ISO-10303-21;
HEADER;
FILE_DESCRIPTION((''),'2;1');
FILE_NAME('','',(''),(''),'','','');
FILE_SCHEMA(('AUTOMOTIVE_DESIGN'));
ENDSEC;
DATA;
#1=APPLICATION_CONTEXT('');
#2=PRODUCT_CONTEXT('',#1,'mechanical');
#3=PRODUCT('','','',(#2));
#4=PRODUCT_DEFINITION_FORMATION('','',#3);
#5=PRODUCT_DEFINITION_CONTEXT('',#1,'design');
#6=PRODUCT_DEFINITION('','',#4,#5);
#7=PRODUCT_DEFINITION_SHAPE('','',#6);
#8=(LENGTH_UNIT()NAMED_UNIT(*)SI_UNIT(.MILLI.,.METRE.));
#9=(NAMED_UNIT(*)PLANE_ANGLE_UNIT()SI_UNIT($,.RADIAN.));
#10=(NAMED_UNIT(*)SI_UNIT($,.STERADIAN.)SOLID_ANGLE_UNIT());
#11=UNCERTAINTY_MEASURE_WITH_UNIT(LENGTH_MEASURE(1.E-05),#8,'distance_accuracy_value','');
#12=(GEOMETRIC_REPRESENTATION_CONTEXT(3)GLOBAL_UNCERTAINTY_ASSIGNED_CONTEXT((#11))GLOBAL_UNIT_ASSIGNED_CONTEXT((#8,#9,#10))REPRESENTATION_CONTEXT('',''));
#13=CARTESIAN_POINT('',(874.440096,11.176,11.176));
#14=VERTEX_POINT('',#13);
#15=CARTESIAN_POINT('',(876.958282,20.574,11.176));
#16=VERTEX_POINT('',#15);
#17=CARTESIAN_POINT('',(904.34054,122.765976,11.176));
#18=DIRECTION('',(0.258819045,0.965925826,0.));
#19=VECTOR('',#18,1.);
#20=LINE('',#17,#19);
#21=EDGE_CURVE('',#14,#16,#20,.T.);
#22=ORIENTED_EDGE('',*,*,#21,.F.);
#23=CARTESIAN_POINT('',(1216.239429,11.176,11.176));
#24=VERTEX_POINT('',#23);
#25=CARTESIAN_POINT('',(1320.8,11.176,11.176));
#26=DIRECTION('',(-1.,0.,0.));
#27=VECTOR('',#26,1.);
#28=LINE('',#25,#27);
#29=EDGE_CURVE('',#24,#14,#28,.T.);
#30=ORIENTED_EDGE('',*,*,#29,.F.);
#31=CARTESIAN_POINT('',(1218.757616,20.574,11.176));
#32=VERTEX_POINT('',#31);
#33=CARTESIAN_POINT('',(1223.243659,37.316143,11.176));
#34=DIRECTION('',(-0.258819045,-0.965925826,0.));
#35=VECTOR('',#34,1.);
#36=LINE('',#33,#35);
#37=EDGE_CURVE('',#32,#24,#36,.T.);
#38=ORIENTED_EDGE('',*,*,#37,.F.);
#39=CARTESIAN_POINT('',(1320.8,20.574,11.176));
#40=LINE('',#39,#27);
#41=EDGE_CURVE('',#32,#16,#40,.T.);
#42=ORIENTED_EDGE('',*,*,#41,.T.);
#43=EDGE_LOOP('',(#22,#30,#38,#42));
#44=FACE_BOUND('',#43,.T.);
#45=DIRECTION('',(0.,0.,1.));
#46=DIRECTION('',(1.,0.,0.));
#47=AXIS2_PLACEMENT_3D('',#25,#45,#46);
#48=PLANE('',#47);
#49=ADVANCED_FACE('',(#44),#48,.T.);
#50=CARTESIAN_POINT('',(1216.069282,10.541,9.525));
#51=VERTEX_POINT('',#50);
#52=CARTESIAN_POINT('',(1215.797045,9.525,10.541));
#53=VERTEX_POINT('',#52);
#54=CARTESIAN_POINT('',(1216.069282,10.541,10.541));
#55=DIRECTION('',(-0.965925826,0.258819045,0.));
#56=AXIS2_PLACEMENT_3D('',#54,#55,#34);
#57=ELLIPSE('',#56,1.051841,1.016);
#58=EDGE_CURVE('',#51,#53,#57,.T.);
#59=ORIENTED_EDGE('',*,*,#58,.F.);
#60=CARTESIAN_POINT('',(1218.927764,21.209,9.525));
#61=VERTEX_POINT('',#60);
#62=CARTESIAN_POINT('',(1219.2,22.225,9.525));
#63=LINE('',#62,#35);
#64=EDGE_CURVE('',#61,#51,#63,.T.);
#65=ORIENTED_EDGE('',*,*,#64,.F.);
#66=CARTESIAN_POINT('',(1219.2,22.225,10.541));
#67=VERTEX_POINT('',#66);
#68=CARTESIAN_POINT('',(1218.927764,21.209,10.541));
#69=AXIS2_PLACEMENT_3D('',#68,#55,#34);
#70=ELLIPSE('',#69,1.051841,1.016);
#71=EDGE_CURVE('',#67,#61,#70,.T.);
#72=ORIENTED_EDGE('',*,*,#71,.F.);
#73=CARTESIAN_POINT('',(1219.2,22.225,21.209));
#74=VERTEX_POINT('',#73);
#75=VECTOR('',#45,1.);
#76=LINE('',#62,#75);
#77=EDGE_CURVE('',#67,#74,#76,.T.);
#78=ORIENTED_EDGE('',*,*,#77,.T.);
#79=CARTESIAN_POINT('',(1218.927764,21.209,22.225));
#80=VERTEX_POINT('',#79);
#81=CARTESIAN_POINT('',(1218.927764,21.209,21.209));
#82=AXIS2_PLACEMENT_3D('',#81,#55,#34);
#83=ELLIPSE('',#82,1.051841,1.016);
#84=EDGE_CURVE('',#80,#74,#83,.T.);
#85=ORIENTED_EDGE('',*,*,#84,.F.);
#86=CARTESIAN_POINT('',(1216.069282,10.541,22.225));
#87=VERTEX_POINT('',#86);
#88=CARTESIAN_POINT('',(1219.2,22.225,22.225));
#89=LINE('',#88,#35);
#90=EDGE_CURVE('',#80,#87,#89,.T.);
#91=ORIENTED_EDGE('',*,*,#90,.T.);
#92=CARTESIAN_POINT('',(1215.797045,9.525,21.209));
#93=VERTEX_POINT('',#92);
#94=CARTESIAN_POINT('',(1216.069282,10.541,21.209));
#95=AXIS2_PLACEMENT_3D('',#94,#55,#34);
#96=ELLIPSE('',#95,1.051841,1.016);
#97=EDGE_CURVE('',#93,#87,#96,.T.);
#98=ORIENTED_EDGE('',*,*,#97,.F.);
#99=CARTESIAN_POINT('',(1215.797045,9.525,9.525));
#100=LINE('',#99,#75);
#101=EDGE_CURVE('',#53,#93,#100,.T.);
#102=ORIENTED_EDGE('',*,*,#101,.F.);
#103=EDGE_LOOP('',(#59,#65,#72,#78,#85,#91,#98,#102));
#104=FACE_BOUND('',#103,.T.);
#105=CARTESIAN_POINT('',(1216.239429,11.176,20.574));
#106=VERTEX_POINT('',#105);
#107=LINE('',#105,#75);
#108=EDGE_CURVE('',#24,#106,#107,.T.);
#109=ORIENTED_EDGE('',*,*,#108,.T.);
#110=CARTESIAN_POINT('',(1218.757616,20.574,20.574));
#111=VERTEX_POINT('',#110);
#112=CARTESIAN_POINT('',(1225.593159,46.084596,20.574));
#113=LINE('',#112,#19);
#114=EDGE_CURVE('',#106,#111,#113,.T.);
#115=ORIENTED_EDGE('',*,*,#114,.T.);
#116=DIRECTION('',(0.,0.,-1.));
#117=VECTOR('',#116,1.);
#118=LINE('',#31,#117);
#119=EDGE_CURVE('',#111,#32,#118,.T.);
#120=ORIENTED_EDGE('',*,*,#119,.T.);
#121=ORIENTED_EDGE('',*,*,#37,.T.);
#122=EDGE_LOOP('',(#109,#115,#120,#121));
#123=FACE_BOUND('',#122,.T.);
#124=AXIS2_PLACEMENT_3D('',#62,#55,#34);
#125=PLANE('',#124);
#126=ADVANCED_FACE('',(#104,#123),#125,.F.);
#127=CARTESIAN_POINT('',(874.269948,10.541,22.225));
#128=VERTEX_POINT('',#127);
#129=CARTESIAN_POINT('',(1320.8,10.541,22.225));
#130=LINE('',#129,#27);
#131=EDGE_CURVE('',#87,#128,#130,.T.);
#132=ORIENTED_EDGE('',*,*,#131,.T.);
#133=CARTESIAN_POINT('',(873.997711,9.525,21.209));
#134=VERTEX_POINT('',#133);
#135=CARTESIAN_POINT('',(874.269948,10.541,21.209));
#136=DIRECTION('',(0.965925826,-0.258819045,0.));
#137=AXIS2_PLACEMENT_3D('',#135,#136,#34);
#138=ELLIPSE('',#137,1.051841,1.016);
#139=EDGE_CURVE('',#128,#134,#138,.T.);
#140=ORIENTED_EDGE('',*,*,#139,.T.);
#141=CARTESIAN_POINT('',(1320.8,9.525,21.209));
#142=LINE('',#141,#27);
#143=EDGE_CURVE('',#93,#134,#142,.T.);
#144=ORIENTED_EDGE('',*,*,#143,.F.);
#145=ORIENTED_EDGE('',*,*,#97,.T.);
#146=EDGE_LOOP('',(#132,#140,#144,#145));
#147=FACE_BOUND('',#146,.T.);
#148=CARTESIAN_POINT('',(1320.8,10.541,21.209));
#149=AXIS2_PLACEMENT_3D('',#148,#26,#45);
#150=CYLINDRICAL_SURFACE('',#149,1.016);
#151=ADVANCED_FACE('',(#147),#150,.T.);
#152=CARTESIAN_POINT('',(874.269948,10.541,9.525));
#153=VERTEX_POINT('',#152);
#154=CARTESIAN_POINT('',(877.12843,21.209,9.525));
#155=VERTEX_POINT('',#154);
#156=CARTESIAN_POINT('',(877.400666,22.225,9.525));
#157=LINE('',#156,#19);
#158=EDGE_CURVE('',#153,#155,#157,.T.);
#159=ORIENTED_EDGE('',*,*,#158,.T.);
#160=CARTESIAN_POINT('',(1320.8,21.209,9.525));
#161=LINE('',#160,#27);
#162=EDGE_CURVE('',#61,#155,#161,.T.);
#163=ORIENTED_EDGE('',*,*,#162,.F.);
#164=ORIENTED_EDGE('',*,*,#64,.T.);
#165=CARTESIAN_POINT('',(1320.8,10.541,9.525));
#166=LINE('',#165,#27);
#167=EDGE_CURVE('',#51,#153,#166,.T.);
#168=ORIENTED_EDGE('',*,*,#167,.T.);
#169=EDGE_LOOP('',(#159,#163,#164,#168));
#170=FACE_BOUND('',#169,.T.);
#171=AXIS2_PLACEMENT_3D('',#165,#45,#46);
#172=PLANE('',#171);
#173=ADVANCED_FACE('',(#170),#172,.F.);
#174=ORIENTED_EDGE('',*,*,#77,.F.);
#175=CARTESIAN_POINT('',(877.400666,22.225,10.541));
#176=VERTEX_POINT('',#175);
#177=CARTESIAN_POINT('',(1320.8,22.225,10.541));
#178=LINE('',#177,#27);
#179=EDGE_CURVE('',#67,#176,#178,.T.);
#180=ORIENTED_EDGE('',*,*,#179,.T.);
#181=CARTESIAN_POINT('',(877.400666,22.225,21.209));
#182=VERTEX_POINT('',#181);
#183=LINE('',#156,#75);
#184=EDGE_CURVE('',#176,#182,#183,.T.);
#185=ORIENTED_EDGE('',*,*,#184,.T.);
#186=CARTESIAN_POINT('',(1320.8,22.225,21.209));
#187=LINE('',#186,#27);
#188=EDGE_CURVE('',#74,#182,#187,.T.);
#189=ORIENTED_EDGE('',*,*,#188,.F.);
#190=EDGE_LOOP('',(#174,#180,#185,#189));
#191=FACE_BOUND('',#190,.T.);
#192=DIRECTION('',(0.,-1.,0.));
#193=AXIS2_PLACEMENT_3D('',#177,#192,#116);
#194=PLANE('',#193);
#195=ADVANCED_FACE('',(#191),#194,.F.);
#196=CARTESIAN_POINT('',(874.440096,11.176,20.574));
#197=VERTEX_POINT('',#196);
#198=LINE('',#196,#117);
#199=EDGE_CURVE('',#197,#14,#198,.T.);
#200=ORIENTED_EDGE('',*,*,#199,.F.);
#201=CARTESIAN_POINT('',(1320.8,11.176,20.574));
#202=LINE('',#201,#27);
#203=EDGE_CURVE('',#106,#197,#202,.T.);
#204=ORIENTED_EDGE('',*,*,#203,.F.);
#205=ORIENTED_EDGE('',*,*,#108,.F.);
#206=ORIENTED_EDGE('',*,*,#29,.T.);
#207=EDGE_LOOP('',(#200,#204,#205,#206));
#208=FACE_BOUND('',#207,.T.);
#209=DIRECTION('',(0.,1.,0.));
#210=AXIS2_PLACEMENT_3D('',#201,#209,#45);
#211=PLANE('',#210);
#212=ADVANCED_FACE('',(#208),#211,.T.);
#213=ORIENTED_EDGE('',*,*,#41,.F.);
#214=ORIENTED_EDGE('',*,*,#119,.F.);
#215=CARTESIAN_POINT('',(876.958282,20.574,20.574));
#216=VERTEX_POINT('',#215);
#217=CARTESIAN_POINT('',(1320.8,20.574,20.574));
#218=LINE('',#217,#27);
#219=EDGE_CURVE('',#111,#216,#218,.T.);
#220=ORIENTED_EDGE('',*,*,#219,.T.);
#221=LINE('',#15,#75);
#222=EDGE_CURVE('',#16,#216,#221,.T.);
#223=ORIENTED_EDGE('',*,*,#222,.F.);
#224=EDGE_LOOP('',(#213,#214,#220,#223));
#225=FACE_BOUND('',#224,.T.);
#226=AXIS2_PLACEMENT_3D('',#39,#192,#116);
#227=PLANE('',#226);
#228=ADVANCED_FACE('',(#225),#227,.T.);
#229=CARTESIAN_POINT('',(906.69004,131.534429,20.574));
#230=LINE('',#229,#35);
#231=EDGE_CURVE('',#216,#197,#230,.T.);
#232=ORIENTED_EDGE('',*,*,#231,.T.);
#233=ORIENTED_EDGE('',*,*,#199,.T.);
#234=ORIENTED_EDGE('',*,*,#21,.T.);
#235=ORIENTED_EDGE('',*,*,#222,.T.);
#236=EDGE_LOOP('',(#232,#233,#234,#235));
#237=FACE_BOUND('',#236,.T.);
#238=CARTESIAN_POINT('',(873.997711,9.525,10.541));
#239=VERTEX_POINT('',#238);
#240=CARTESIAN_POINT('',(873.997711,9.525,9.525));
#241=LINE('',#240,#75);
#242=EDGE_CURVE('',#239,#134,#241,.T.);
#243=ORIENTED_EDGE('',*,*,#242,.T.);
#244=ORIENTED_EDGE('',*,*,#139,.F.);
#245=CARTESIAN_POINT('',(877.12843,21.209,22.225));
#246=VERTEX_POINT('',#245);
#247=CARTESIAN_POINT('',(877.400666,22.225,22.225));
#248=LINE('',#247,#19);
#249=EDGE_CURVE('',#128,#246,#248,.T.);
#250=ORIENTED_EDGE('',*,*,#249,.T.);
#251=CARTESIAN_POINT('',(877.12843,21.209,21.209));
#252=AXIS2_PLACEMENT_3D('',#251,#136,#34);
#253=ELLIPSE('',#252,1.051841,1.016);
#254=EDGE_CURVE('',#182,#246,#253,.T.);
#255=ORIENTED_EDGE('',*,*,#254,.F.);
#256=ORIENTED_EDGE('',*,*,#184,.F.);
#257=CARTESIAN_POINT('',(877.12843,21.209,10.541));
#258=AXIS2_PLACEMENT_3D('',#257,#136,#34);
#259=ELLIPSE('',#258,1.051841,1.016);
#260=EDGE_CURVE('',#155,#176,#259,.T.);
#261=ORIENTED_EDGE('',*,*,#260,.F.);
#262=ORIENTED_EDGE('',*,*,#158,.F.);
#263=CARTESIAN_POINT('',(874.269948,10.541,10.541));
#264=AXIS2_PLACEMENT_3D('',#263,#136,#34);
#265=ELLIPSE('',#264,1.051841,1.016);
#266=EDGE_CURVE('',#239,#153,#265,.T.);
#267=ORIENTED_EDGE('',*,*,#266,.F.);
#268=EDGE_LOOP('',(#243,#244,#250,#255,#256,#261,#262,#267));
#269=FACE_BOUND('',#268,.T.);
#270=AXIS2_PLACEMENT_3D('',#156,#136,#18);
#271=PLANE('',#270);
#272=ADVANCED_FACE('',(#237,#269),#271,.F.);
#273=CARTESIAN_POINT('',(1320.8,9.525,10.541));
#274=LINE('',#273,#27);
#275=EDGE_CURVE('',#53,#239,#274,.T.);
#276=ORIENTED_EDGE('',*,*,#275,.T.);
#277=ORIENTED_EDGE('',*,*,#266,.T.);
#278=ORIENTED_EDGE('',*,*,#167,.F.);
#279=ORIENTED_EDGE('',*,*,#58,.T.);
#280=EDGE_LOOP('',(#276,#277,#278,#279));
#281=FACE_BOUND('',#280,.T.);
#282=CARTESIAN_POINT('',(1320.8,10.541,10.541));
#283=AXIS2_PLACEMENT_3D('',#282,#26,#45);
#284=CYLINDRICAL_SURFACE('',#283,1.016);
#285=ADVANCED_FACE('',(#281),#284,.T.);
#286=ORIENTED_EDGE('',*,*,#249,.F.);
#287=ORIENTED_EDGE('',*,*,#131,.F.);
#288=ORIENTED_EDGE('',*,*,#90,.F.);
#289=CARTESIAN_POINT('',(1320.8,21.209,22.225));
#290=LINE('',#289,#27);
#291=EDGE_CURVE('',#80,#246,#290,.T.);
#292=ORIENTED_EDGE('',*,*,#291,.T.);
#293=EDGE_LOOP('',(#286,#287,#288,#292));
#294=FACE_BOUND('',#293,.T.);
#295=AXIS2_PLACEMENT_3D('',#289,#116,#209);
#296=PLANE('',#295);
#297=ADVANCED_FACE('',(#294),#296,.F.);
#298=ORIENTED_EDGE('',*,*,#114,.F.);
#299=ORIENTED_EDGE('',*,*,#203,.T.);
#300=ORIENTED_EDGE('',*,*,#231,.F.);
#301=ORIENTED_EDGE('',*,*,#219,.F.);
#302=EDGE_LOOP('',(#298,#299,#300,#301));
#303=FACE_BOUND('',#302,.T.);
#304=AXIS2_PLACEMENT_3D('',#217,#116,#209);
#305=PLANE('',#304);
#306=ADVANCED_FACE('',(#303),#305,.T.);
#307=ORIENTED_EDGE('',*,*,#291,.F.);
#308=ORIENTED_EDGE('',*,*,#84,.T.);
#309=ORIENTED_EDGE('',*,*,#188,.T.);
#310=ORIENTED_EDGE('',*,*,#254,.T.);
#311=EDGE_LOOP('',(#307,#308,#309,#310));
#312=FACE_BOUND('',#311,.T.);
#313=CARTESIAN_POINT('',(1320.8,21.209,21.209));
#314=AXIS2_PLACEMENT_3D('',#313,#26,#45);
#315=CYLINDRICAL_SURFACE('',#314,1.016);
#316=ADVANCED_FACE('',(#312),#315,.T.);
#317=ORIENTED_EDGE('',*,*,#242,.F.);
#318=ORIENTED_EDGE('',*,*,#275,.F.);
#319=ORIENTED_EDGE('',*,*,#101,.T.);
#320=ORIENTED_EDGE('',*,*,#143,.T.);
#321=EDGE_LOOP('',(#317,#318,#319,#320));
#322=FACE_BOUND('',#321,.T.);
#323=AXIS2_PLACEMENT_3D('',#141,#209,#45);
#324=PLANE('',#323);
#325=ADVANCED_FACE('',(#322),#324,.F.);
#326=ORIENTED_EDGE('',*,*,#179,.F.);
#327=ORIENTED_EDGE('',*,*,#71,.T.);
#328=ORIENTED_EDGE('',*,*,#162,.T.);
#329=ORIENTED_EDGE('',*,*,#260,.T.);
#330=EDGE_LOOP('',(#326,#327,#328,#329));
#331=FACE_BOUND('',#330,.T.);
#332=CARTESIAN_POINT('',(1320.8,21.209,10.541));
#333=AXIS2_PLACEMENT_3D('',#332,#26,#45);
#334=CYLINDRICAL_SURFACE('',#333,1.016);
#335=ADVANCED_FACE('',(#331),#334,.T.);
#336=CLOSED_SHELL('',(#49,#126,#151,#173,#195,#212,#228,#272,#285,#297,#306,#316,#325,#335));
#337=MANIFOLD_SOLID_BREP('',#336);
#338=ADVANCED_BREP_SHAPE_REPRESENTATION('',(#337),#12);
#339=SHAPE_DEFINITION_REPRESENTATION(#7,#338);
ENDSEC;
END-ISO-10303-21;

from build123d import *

# Parameters (mm, degrees)
SKETCH1_W           = 23.495
SKETCH1_H           = 23.495
BOSS_EXTRUDE1_DEPTH = 1320.8
SCALE2_SCALE_X      = 1
SCALE2_SCALE_Y      = 0.4
SCALE2_SCALE_Z      = 0.4
CUT_EXTRUDE1_DEPTH  = 1322.04802369
CUT_EXTRUDE2_DEPTH  = 1322.04802369


with BuildPart() as part:
    # Sketch1 → Boss-Extrude1 (new body)
    with BuildSketch(Plane(origin=(0, 0, 0), x_dir=(0, 0, -1), z_dir=(1, 0, 0))):
        with BuildLine():
            Line((0, 2.54), (0, 29.21))
            ThreePointArc((0, 29.21), (-0.743948776, 31.006051224), (-2.54, 31.75))
            Line((-2.54, 31.75), (-29.21, 31.75))
            ThreePointArc((-29.21, 31.75), (-31.006051224, 31.006051224), (-31.75, 29.21))
            Line((-31.75, 29.21), (-31.75, 2.54))
            ThreePointArc((-31.75, 2.54), (-31.006051224, 0.743948776), (-29.21, 0))
            Line((-29.21, 0), (-2.54, 0))
            ThreePointArc((-2.54, 0), (-0.743948776, 0.743948776), (0, 2.54))
        make_face()
        with Locations((-15.875, 15.875)):
            Rectangle(SKETCH1_W, SKETCH1_H, mode=Mode.SUBTRACT)
    extrude(amount=BOSS_EXTRUDE1_DEPTH)


with BuildPart() as part_1:
    # Scale2: scaled about (660.4, 15.875, 15.875)
    add(part.part.scale((SCALE2_SCALE_X, SCALE2_SCALE_Y, SCALE2_SCALE_Z), about=(660.4, 15.875, 15.875)))

    # Sketch3 → Cut-Extrude1 (cut, through all)
    with BuildSketch(Plane.XY.offset(22.225)):
        Polygon((877.40066618, 22.225), (873.997711436, 9.525), (851.266371854, 9.525), (851.266371854, 22.225), align=None)
    extrude(amount=-CUT_EXTRUDE1_DEPTH, mode=Mode.SUBTRACT)


with BuildPart() as cut_extrude1_kept_piece:
    # of the separate pieces the step leaves, the one the design keeps (cut_extrude1_pieces_kept)
    add(part_1.part.solids().sort_by_distance((877.128429801, 21.209, 9.525))[0])

    # Sketch4 → Cut-Extrude2 (cut, through all)
    with BuildSketch(Plane.XY.offset(22.225)):
        Polygon((1215.797045256, 9.525), (1320.8, 9.525), (1320.8, 22.225), (1219.2, 22.225), align=None)
    extrude(amount=-CUT_EXTRUDE2_DEPTH, mode=Mode.SUBTRACT)


solid = cut_extrude1_kept_piece.part
